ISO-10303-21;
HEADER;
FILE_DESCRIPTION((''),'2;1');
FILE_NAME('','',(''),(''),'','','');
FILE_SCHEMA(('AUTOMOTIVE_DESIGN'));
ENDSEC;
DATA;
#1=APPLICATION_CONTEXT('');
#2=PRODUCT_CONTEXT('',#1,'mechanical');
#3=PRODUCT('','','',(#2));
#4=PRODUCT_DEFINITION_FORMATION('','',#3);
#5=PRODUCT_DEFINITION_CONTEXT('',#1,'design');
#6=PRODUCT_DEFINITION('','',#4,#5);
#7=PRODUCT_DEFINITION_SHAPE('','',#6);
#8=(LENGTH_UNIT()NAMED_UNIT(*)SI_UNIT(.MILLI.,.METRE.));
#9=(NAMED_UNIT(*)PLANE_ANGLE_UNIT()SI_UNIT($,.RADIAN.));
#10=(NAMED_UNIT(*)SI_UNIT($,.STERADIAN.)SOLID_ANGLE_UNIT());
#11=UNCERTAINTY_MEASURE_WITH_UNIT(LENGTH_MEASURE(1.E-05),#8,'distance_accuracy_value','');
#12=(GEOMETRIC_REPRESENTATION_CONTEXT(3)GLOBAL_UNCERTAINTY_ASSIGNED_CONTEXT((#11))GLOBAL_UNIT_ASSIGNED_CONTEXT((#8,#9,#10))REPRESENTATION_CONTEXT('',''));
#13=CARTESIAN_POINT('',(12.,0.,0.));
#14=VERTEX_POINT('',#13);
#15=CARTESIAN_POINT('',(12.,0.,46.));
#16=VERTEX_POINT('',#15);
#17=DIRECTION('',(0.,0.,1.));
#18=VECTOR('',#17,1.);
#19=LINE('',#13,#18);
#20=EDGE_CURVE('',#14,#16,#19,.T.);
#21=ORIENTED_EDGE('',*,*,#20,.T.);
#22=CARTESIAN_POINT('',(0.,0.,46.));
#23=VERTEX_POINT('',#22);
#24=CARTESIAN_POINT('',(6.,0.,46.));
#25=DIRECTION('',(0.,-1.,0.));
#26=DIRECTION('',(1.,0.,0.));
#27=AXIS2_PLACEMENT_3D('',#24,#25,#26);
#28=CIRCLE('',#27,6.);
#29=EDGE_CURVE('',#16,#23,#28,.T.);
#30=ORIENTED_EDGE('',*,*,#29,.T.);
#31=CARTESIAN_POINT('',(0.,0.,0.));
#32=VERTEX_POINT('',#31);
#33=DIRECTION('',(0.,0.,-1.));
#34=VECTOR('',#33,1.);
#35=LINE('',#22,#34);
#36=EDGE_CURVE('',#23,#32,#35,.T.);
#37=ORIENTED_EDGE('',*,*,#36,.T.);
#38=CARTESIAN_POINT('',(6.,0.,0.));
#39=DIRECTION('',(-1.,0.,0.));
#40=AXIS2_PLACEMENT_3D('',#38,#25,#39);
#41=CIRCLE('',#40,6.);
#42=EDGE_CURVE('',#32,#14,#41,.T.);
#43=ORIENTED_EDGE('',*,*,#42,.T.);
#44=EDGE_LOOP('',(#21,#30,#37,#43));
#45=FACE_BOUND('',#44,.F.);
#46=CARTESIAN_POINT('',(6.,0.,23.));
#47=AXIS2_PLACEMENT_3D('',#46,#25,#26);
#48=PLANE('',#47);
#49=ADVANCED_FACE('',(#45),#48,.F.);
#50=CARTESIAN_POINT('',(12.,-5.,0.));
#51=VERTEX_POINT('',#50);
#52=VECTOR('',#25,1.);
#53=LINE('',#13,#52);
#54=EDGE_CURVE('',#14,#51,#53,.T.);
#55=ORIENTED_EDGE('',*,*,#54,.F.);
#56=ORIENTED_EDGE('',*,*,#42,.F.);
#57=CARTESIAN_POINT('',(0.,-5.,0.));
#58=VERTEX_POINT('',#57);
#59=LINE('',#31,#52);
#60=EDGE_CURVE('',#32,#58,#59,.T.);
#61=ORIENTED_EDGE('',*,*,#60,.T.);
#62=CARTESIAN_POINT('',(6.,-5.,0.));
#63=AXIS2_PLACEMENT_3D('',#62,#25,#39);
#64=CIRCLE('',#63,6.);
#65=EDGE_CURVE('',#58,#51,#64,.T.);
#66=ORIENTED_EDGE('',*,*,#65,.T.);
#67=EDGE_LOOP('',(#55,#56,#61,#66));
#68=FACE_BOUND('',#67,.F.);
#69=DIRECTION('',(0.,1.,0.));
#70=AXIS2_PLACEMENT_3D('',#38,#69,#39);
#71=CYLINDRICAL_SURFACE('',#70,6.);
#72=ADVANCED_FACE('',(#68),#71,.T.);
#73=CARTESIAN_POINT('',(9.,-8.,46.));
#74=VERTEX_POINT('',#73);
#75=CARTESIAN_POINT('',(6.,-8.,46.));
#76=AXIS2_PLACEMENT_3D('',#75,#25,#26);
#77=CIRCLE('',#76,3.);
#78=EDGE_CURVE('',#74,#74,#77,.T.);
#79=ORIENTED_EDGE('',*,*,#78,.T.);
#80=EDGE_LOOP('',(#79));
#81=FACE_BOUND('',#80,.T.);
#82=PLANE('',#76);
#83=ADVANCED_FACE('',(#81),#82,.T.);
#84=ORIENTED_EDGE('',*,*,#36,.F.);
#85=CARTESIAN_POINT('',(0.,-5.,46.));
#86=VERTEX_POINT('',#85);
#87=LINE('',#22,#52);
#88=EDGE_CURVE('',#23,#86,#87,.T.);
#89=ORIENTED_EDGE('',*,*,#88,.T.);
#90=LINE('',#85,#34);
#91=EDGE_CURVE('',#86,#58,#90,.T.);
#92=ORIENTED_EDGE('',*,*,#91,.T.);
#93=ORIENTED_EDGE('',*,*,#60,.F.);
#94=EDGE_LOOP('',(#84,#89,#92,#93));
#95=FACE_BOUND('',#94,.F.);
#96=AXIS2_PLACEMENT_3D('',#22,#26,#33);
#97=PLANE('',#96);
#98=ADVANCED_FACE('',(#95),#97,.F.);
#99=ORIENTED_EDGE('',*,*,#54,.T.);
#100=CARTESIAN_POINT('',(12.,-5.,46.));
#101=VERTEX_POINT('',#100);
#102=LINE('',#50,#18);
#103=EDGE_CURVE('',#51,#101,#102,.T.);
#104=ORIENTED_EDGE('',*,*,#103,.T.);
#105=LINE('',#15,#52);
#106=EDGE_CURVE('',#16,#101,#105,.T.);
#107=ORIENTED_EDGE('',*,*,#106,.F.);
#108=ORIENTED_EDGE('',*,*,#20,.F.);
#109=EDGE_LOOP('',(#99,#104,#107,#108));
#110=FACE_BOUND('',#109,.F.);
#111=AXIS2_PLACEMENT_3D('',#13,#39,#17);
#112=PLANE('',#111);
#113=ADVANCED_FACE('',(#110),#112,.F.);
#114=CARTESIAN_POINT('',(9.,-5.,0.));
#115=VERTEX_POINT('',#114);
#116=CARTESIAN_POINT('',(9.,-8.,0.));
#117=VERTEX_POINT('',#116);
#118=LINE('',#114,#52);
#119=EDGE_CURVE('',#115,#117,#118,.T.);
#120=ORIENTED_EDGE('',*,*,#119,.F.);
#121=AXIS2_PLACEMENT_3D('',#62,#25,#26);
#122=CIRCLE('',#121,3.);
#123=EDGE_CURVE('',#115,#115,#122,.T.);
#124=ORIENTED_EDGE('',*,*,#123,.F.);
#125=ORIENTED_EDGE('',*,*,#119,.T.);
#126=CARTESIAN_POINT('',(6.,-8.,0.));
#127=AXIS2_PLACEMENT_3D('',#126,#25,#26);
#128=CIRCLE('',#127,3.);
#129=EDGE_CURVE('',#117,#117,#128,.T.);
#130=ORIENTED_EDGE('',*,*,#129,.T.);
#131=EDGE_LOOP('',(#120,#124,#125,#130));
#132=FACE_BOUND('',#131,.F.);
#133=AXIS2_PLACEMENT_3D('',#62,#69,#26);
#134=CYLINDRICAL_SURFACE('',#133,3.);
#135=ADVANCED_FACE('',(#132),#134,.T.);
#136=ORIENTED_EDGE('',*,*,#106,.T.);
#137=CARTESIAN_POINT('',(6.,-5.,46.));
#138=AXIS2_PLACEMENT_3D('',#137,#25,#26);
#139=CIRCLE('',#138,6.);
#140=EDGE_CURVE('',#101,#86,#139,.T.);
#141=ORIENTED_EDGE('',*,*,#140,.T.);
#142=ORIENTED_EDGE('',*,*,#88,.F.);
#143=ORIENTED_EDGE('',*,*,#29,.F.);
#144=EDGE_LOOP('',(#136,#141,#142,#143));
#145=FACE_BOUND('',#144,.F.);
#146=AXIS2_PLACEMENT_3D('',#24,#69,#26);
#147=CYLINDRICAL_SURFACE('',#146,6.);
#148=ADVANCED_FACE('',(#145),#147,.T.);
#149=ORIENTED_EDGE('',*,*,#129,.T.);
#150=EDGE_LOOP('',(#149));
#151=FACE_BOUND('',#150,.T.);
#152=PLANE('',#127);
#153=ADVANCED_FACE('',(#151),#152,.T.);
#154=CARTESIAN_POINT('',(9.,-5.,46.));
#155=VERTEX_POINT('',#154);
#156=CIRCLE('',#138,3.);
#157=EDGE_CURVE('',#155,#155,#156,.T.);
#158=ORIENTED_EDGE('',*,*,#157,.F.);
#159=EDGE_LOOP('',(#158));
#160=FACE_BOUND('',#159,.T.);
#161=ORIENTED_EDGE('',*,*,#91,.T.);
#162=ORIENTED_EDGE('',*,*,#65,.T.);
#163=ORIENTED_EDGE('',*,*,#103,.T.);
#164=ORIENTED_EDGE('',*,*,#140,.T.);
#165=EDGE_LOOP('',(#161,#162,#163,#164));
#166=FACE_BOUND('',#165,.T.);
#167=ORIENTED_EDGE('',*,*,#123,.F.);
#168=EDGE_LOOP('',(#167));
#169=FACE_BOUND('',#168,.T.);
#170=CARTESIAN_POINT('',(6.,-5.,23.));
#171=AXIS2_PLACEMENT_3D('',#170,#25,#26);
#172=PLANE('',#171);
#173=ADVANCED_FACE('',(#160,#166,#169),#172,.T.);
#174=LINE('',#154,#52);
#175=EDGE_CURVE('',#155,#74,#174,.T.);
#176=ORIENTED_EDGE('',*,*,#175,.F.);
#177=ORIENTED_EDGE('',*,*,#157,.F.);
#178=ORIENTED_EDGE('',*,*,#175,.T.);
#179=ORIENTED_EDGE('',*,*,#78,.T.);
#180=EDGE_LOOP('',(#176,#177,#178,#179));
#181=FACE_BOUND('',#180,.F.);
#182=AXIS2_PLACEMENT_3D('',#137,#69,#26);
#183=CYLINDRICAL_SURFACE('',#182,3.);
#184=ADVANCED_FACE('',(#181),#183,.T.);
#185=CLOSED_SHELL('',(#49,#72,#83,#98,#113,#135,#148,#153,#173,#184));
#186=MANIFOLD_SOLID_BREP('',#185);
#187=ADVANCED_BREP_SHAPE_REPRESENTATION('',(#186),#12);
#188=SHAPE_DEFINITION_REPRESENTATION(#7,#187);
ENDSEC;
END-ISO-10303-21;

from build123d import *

# Parameters (mm, degrees)
F1_DEPTH = 5
F2_R     = 3
F3_DEPTH = 3


with BuildPart() as f1:
    # F0 (on Front) → F1 (new body)
    with BuildSketch(Plane.XZ):
        with BuildLine():
            Line((0, 46), (0, 0))
            ThreePointArc((0, 0), (6, -6), (12, 0))
            Line((12, 0), (12, 46))
            ThreePointArc((12, 46), (6, 52), (0, 46))
        make_face()
    extrude(amount=F1_DEPTH)

    # F2 (on face) → F3 (join)
    with BuildSketch(Plane.XZ.offset(5)):
        with Locations((6, 46)):
            Circle(F2_R)
        with Locations((6, 0)):
            Circle(F2_R)
    extrude(amount=F3_DEPTH)


solid = f1.part
